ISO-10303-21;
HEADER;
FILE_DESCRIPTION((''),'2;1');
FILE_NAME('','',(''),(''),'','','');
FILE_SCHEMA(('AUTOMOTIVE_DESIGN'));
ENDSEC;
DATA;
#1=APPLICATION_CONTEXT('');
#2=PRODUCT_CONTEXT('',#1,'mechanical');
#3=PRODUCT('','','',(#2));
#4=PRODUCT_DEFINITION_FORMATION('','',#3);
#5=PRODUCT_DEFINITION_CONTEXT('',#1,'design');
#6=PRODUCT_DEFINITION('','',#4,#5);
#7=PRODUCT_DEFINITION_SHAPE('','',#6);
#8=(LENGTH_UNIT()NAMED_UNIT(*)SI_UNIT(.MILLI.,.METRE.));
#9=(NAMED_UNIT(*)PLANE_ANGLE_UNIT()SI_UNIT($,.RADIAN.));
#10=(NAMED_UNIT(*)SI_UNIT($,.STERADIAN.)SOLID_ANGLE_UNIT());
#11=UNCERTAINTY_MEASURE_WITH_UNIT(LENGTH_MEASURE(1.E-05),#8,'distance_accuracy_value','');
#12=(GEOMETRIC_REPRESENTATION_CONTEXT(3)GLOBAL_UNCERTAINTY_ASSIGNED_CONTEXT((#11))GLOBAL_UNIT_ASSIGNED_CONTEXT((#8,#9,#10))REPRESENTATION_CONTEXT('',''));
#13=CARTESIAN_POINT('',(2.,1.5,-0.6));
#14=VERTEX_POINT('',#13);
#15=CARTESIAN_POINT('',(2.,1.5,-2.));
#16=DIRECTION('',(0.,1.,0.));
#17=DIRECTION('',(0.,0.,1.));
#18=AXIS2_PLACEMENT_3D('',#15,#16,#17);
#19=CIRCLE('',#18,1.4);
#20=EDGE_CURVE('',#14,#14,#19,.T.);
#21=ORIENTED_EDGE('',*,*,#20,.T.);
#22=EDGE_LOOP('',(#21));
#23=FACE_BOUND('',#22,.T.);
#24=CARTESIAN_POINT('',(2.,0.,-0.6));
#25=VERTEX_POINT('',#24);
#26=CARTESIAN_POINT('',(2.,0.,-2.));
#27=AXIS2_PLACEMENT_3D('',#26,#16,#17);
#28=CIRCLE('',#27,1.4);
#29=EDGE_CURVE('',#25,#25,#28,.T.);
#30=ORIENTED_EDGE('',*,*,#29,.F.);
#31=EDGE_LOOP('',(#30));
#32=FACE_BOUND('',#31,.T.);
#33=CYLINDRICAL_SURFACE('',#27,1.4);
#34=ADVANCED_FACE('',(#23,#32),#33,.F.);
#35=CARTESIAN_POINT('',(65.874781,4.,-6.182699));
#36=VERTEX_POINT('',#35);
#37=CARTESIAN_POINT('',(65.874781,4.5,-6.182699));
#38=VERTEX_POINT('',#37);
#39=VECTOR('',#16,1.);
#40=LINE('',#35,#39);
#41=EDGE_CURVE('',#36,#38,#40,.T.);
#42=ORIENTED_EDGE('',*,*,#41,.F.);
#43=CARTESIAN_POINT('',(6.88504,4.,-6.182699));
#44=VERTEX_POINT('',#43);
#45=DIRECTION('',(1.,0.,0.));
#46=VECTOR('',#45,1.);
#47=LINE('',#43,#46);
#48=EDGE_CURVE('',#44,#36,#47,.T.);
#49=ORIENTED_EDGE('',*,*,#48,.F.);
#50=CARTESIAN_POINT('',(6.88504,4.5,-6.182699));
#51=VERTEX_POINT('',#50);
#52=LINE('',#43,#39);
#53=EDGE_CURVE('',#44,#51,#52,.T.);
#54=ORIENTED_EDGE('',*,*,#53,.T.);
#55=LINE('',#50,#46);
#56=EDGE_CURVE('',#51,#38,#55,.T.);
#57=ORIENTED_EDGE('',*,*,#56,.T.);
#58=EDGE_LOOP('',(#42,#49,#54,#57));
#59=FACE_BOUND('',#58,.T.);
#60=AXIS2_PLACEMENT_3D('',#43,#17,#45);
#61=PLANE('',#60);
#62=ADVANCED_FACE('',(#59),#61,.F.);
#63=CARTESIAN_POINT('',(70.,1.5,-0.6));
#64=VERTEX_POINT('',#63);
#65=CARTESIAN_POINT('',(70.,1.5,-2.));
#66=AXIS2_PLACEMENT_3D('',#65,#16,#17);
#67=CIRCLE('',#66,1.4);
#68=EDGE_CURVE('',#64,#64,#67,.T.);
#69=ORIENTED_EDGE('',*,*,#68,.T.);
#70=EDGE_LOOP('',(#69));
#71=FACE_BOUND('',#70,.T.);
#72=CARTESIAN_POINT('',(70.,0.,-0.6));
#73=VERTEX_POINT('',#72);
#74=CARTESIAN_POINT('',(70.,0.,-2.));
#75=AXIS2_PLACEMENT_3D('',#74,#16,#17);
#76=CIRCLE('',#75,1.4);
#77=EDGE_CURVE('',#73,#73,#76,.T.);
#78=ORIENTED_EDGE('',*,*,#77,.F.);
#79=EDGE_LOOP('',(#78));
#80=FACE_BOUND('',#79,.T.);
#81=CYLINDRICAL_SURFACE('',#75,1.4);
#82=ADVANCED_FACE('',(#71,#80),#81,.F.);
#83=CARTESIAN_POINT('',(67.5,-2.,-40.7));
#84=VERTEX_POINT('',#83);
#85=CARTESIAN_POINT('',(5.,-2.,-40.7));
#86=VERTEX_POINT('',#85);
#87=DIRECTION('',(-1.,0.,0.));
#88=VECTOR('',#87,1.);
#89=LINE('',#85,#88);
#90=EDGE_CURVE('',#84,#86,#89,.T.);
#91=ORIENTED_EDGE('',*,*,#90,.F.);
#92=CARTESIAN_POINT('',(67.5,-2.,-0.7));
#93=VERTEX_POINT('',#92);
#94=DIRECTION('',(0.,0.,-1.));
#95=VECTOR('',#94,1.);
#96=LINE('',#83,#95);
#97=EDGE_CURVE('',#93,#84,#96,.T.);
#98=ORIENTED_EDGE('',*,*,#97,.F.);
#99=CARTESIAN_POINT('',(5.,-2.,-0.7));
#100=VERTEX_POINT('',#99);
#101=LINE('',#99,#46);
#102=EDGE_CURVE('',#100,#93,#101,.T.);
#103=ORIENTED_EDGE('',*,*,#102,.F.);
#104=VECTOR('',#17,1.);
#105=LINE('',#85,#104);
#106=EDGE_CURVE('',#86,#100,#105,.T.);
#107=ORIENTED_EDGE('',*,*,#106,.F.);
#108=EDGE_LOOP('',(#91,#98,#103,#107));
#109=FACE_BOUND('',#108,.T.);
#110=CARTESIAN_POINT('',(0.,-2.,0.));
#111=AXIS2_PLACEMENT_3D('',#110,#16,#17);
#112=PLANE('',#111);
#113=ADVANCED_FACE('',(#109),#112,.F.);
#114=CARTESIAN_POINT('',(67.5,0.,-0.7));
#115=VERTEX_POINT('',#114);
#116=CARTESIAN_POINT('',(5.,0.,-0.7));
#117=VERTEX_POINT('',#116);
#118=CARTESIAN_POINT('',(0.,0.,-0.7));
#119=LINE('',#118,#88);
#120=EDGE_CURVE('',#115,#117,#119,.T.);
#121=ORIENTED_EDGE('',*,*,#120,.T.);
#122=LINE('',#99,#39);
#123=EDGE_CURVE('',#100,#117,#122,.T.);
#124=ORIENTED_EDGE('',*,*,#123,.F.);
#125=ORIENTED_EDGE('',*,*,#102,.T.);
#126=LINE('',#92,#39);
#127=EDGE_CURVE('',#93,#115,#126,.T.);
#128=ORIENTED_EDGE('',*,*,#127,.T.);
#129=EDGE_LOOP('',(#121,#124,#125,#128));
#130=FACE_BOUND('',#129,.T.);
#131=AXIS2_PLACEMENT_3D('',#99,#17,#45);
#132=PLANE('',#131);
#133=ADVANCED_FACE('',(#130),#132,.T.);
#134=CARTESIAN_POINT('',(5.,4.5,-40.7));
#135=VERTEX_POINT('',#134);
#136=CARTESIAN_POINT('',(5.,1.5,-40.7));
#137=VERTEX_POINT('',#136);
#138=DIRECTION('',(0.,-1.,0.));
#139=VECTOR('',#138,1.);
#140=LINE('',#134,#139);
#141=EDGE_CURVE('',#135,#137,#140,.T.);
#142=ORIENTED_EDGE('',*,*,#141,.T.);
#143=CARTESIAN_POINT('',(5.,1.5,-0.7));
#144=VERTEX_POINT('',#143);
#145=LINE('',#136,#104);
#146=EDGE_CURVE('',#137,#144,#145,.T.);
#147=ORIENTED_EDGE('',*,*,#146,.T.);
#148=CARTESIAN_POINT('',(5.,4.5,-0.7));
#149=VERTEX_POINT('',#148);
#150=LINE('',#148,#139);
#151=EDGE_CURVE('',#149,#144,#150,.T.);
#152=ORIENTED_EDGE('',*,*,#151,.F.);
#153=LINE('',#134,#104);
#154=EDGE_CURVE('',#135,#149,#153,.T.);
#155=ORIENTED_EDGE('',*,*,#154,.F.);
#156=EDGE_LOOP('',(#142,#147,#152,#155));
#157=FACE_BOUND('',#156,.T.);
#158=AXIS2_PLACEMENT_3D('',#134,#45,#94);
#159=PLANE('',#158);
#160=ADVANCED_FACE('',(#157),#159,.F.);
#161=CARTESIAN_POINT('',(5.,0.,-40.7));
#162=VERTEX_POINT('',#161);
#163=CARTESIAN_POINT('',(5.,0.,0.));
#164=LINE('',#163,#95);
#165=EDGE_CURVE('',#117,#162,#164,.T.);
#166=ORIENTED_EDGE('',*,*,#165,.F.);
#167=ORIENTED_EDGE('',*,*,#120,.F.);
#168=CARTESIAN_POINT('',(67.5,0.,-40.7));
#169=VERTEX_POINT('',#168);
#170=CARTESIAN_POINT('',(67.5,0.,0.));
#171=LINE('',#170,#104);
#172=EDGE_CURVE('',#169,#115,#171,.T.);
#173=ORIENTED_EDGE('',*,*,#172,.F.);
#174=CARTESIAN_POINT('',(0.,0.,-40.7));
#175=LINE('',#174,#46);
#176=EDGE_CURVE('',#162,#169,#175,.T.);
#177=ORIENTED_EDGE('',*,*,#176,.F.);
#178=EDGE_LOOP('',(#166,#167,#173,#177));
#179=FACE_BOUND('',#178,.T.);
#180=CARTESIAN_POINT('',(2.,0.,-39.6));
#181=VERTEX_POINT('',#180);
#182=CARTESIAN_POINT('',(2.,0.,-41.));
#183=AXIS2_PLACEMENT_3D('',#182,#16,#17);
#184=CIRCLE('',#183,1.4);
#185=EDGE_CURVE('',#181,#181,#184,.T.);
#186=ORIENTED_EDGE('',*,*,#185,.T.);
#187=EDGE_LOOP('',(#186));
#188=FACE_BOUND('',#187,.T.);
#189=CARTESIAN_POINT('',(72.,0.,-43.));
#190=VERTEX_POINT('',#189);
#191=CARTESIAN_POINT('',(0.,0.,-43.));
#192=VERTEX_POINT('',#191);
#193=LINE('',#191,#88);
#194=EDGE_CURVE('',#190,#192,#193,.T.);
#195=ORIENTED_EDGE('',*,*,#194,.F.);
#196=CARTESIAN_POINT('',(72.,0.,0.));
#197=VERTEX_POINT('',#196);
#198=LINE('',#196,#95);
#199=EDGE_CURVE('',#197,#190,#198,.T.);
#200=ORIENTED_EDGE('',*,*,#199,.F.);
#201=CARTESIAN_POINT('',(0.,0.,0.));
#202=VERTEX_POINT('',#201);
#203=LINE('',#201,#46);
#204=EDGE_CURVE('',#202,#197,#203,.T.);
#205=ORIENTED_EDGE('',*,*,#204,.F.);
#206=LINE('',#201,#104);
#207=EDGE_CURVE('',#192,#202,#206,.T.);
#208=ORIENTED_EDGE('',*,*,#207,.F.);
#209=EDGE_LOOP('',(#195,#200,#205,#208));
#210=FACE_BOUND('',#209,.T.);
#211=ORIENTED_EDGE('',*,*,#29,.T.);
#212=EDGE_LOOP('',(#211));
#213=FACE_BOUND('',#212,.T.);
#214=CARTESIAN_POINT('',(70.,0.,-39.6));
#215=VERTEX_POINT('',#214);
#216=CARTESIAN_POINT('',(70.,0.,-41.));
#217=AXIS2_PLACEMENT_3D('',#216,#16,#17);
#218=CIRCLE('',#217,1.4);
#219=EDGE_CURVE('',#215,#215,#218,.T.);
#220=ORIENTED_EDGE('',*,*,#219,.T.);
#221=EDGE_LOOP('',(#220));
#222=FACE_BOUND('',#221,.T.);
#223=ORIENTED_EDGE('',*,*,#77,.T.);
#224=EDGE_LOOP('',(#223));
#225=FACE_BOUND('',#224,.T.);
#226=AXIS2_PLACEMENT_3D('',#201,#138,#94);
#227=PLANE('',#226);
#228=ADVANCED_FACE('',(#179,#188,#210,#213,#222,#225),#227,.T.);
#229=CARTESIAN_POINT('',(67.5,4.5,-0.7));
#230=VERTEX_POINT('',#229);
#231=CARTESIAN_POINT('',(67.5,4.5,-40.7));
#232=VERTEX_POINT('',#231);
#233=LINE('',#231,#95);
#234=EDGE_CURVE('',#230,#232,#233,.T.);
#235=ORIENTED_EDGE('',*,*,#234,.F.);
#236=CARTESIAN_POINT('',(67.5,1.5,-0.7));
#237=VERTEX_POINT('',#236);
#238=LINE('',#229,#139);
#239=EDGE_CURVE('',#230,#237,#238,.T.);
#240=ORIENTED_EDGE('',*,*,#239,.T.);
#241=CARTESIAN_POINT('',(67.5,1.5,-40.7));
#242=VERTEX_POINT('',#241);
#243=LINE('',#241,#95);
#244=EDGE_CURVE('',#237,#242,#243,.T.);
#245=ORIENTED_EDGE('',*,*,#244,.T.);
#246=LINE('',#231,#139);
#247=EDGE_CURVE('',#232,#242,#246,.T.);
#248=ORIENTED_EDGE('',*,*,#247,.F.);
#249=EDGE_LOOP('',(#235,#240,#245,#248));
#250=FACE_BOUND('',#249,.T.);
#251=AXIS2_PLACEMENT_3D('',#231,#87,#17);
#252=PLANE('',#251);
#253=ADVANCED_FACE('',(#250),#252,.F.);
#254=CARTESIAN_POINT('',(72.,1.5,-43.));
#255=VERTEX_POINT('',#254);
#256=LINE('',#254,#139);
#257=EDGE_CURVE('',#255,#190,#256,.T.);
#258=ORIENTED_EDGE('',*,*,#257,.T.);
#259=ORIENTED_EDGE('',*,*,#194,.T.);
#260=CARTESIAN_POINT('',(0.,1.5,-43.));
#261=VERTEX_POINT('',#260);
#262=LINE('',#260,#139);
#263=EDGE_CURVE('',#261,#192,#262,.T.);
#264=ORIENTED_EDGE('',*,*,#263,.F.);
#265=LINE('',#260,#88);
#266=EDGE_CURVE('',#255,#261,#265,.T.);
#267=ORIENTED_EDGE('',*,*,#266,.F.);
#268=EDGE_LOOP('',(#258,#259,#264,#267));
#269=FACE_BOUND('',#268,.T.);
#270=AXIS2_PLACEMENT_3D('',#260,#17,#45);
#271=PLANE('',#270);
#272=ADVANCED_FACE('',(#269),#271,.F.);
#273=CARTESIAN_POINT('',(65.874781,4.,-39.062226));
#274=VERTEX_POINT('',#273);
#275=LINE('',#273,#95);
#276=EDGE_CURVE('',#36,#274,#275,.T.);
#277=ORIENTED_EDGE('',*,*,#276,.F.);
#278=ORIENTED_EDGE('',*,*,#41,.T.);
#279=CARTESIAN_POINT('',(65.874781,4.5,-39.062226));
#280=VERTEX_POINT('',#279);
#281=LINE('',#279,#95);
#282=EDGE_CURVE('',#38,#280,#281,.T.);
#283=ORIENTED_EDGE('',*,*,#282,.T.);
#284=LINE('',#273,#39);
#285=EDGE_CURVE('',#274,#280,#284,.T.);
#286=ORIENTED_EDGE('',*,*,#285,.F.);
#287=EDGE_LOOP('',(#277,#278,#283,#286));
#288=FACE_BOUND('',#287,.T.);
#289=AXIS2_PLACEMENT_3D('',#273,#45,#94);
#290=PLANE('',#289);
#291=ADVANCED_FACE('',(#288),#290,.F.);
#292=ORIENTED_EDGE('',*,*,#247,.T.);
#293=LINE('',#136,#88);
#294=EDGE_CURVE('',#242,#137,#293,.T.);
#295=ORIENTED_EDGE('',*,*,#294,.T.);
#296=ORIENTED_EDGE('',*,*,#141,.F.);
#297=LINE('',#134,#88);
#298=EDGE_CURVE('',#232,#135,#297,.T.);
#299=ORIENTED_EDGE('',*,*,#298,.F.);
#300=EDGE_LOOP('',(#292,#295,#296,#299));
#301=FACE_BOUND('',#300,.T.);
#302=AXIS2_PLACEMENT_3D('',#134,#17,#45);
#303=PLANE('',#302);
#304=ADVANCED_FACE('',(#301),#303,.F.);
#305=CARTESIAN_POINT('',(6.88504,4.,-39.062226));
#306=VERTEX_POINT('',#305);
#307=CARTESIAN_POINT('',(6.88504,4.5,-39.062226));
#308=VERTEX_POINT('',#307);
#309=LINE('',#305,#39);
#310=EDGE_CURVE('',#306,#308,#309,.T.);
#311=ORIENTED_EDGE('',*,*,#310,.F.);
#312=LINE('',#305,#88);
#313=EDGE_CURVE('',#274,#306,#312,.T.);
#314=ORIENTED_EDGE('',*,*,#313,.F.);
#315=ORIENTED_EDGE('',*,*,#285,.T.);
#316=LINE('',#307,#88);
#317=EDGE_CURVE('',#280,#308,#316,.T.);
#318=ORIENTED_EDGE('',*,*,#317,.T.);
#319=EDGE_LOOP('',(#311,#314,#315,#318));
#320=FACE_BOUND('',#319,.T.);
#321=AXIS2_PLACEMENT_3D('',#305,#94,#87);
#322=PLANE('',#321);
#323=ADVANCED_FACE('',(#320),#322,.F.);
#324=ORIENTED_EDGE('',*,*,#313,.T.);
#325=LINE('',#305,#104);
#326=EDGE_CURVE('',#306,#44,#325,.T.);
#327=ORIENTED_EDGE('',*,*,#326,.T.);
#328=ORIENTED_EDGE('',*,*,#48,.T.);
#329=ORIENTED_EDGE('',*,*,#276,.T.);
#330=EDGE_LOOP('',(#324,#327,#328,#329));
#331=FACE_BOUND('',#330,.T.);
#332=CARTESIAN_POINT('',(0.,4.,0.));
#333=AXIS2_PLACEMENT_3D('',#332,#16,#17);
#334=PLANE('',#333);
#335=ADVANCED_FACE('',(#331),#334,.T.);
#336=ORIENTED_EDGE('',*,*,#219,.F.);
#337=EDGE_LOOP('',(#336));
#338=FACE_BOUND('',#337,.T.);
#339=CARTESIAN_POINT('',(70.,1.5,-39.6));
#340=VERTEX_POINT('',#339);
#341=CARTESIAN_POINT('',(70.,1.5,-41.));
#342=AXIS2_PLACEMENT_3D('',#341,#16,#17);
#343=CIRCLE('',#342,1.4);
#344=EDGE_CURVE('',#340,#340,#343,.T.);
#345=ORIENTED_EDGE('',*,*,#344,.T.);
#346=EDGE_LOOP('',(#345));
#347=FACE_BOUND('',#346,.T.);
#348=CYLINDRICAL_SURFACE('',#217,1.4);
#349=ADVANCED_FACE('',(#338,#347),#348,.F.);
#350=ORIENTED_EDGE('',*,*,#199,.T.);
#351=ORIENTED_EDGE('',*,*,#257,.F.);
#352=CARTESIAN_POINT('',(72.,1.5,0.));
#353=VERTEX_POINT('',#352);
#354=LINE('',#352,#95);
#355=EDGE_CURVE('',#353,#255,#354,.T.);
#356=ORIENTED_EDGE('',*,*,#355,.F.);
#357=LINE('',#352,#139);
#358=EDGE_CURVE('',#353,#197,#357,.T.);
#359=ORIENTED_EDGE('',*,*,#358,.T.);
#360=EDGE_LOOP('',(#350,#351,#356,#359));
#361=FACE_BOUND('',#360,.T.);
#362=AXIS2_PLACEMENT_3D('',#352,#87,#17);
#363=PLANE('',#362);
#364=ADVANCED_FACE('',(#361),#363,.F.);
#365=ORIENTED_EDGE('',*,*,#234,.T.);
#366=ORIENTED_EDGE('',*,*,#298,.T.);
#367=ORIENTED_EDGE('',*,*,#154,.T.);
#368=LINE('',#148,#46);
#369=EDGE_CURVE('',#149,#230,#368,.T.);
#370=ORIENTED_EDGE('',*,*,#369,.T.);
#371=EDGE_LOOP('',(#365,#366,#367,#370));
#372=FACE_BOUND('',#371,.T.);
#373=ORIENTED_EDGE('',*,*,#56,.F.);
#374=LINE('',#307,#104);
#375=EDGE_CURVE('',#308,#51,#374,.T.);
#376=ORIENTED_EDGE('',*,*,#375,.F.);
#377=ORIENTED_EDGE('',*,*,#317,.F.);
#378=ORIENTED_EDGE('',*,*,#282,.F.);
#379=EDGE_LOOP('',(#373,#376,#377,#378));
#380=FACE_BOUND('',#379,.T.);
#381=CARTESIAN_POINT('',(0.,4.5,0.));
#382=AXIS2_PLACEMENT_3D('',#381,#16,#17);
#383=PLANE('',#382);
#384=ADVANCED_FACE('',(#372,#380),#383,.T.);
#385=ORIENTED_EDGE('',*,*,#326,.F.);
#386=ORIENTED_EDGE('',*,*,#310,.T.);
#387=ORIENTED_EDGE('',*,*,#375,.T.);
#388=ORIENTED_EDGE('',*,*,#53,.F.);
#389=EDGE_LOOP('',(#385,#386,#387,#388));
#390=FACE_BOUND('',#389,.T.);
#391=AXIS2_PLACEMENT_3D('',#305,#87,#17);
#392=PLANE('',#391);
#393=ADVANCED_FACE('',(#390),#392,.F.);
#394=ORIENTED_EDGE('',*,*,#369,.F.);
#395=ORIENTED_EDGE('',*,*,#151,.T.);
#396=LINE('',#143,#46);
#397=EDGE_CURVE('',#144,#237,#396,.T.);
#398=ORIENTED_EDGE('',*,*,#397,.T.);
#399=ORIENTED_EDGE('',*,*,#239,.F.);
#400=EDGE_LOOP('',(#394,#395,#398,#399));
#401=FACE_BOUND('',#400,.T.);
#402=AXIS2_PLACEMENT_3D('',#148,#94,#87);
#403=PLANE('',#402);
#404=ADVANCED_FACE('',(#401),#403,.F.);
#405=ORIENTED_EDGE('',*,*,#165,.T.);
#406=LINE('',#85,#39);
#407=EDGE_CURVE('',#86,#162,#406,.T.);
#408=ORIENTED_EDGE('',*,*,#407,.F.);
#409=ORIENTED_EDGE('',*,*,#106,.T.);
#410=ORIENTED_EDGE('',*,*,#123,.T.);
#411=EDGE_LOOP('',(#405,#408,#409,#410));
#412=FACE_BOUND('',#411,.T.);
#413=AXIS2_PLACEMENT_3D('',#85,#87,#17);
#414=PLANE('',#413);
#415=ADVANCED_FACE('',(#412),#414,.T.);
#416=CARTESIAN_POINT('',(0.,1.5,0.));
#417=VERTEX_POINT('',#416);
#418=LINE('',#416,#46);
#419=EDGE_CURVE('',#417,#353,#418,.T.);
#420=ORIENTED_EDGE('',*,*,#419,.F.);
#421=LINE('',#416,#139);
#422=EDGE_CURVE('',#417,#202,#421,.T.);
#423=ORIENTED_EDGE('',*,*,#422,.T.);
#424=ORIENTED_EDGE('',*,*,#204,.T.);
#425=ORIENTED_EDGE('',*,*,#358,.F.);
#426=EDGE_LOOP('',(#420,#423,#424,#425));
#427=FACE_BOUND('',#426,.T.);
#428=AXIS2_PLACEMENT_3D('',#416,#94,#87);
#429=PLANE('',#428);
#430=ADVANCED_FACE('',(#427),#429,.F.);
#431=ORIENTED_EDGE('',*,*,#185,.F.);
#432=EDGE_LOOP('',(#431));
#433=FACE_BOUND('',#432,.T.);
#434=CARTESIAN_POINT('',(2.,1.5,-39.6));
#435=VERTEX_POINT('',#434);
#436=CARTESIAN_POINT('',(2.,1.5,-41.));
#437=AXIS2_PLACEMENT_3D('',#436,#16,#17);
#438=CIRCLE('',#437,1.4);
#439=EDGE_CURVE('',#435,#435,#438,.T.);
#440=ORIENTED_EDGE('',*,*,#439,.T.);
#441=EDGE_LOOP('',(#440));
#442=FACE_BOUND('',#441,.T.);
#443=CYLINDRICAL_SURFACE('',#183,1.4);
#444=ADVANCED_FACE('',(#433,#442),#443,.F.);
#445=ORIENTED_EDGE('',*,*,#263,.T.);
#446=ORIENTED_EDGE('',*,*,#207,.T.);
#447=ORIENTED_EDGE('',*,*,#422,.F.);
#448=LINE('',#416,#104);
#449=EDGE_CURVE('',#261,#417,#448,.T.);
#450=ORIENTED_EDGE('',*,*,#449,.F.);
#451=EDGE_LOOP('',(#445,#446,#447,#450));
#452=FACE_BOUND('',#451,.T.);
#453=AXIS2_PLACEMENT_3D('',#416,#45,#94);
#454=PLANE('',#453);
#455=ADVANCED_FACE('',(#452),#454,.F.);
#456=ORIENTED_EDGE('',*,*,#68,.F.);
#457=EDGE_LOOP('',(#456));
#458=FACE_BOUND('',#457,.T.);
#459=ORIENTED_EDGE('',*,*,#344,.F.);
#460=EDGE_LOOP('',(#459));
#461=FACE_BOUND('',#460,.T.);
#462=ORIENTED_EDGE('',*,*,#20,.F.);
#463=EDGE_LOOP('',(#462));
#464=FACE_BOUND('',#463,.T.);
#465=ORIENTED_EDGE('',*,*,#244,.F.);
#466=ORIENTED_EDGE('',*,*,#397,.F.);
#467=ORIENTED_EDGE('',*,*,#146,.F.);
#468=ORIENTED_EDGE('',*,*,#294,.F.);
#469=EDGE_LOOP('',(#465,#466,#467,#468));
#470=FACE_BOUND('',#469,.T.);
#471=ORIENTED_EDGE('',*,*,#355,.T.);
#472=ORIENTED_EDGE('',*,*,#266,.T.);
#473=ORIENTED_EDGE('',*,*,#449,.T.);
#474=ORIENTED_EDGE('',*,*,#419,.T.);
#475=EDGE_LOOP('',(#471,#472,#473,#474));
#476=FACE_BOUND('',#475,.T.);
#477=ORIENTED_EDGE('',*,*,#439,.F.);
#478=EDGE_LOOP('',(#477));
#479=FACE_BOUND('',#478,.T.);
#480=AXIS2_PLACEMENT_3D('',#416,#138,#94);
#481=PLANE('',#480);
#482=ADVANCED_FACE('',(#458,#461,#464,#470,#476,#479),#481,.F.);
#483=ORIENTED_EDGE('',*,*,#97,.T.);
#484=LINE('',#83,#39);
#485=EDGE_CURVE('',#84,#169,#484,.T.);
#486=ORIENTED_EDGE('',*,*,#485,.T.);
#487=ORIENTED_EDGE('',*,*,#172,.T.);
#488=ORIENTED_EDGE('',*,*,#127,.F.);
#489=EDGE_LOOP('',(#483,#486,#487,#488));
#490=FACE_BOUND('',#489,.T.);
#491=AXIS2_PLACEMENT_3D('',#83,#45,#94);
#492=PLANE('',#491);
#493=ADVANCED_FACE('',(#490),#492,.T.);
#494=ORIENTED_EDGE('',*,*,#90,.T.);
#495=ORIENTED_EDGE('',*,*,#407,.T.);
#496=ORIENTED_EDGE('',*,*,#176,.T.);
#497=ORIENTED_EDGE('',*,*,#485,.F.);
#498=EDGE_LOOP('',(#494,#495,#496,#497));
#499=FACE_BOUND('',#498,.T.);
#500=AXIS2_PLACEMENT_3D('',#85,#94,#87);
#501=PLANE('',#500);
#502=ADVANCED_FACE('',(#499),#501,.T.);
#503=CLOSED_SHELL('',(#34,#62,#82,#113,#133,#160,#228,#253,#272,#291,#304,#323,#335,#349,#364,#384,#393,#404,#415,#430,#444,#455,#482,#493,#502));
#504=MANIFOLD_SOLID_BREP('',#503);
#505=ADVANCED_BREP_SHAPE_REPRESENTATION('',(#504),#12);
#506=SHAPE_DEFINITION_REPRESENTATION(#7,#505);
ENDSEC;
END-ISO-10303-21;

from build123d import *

# Parameters (mm, degrees)
SKETCH2_W           = 72
SKETCH2_H           = 43
BOSS_EXTRUDE1_DEPTH = 1.5
SKETCH3_R           = 1.4
CUT_EXTRUDE1_DEPTH  = 84.876397157
SKETCH4_W           = 62.5
SKETCH4_H           = 40
BOSS_EXTRUDE2_DEPTH = 3
SKETCH4_2_W         = 62.5
SKETCH4_2_H         = 40
BOSS_EXTRUDE3_DEPTH = 3.5
SKETCH8_W           = 58.989740066
SKETCH8_H           = 32.879527249
CUT_EXTRUDE2_DEPTH  = 0.5


with BuildPart() as part:
    # Sketch2 → Boss-Extrude1 (new body)
    with BuildSketch(Plane(origin=(0, 0, 0), x_dir=(1, 0, 0), z_dir=(0, 1, 0))):
        with Locations((36, 21.5)):
            Rectangle(SKETCH2_W, SKETCH2_H)
    extrude(amount=BOSS_EXTRUDE1_DEPTH)

    # Sketch3 → Cut-Extrude1 (cut, through all)
    with BuildSketch(Plane(origin=(0, 1.5, 0), x_dir=(1, 0, 0), z_dir=(0, 1, 0))):
        with Locations((2, 41)):
            Circle(SKETCH3_R)
        with Locations((70, 41)):
            Circle(SKETCH3_R)
        with Locations((2, 2)):
            Circle(SKETCH3_R)
        with Locations((70, 2)):
            Circle(SKETCH3_R)
    extrude(amount=-CUT_EXTRUDE1_DEPTH, mode=Mode.SUBTRACT)

    # Sketch4 → Boss-Extrude2 (add)
    with BuildSketch(Plane(origin=(0, 1.5, 0), x_dir=(1, 0, 0), z_dir=(0, 1, 0))):
        with Locations((36.25, 20.7)):
            Rectangle(SKETCH4_W, SKETCH4_H)
    extrude(amount=BOSS_EXTRUDE2_DEPTH)

    # Sketch4<2> → Boss-Extrude3 (add)
    with BuildSketch(Plane(origin=(0, 1.5, 0), x_dir=(1, 0, 0), z_dir=(0, 1, 0))):
        with Locations((36.25, 20.7)):
            Rectangle(SKETCH4_2_W, SKETCH4_2_H)
    extrude(amount=-BOSS_EXTRUDE3_DEPTH)

    # Sketch8 → Cut-Extrude2 (cut)
    with BuildSketch(Plane(origin=(0, 4.5, 0), x_dir=(1, 0, 0), z_dir=(0, 1, 0))):
        with Locations((36.379910504, 22.622462852)):
            Rectangle(SKETCH8_W, SKETCH8_H)
    extrude(amount=-CUT_EXTRUDE2_DEPTH, mode=Mode.SUBTRACT)


solid = part.part
